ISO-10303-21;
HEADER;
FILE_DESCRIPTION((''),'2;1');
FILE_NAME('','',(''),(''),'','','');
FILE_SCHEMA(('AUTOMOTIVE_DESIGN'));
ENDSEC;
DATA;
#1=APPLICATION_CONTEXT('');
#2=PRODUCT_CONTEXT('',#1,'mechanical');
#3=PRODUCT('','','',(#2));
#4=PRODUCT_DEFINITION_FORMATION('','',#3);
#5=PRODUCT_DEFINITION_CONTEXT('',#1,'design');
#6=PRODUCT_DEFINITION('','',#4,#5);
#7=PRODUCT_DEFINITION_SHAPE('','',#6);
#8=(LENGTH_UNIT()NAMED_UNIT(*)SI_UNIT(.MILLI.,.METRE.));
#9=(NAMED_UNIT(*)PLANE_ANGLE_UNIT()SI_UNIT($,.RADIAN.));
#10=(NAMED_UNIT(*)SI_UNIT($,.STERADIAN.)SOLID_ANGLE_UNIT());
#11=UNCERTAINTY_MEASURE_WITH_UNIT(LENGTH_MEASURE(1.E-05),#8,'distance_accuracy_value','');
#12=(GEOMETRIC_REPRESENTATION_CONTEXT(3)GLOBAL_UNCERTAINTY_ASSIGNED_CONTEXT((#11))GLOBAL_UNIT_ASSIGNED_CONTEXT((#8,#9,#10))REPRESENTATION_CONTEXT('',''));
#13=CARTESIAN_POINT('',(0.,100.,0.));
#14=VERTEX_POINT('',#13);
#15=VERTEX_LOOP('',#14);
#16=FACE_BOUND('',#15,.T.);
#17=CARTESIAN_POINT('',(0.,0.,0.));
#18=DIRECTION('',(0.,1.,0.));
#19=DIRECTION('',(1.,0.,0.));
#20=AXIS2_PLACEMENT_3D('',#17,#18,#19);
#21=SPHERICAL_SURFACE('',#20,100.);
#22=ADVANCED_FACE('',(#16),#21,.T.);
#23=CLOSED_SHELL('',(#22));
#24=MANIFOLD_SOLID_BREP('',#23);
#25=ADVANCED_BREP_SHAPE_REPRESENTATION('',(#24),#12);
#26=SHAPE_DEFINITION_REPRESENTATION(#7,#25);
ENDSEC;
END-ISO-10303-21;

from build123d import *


with BuildPart() as part:
    # Sketch1 → Revolve1 (revolve)
    with BuildSketch(Plane.XY):
        with BuildLine():
            Line((0, 100), (0, -100))
            ThreePointArc((0, -100), (-100, 0), (0, 100))
        make_face()
    revolve(axis=Axis((0, 100, 0), (0, -1, 0)))


solid = part.part
